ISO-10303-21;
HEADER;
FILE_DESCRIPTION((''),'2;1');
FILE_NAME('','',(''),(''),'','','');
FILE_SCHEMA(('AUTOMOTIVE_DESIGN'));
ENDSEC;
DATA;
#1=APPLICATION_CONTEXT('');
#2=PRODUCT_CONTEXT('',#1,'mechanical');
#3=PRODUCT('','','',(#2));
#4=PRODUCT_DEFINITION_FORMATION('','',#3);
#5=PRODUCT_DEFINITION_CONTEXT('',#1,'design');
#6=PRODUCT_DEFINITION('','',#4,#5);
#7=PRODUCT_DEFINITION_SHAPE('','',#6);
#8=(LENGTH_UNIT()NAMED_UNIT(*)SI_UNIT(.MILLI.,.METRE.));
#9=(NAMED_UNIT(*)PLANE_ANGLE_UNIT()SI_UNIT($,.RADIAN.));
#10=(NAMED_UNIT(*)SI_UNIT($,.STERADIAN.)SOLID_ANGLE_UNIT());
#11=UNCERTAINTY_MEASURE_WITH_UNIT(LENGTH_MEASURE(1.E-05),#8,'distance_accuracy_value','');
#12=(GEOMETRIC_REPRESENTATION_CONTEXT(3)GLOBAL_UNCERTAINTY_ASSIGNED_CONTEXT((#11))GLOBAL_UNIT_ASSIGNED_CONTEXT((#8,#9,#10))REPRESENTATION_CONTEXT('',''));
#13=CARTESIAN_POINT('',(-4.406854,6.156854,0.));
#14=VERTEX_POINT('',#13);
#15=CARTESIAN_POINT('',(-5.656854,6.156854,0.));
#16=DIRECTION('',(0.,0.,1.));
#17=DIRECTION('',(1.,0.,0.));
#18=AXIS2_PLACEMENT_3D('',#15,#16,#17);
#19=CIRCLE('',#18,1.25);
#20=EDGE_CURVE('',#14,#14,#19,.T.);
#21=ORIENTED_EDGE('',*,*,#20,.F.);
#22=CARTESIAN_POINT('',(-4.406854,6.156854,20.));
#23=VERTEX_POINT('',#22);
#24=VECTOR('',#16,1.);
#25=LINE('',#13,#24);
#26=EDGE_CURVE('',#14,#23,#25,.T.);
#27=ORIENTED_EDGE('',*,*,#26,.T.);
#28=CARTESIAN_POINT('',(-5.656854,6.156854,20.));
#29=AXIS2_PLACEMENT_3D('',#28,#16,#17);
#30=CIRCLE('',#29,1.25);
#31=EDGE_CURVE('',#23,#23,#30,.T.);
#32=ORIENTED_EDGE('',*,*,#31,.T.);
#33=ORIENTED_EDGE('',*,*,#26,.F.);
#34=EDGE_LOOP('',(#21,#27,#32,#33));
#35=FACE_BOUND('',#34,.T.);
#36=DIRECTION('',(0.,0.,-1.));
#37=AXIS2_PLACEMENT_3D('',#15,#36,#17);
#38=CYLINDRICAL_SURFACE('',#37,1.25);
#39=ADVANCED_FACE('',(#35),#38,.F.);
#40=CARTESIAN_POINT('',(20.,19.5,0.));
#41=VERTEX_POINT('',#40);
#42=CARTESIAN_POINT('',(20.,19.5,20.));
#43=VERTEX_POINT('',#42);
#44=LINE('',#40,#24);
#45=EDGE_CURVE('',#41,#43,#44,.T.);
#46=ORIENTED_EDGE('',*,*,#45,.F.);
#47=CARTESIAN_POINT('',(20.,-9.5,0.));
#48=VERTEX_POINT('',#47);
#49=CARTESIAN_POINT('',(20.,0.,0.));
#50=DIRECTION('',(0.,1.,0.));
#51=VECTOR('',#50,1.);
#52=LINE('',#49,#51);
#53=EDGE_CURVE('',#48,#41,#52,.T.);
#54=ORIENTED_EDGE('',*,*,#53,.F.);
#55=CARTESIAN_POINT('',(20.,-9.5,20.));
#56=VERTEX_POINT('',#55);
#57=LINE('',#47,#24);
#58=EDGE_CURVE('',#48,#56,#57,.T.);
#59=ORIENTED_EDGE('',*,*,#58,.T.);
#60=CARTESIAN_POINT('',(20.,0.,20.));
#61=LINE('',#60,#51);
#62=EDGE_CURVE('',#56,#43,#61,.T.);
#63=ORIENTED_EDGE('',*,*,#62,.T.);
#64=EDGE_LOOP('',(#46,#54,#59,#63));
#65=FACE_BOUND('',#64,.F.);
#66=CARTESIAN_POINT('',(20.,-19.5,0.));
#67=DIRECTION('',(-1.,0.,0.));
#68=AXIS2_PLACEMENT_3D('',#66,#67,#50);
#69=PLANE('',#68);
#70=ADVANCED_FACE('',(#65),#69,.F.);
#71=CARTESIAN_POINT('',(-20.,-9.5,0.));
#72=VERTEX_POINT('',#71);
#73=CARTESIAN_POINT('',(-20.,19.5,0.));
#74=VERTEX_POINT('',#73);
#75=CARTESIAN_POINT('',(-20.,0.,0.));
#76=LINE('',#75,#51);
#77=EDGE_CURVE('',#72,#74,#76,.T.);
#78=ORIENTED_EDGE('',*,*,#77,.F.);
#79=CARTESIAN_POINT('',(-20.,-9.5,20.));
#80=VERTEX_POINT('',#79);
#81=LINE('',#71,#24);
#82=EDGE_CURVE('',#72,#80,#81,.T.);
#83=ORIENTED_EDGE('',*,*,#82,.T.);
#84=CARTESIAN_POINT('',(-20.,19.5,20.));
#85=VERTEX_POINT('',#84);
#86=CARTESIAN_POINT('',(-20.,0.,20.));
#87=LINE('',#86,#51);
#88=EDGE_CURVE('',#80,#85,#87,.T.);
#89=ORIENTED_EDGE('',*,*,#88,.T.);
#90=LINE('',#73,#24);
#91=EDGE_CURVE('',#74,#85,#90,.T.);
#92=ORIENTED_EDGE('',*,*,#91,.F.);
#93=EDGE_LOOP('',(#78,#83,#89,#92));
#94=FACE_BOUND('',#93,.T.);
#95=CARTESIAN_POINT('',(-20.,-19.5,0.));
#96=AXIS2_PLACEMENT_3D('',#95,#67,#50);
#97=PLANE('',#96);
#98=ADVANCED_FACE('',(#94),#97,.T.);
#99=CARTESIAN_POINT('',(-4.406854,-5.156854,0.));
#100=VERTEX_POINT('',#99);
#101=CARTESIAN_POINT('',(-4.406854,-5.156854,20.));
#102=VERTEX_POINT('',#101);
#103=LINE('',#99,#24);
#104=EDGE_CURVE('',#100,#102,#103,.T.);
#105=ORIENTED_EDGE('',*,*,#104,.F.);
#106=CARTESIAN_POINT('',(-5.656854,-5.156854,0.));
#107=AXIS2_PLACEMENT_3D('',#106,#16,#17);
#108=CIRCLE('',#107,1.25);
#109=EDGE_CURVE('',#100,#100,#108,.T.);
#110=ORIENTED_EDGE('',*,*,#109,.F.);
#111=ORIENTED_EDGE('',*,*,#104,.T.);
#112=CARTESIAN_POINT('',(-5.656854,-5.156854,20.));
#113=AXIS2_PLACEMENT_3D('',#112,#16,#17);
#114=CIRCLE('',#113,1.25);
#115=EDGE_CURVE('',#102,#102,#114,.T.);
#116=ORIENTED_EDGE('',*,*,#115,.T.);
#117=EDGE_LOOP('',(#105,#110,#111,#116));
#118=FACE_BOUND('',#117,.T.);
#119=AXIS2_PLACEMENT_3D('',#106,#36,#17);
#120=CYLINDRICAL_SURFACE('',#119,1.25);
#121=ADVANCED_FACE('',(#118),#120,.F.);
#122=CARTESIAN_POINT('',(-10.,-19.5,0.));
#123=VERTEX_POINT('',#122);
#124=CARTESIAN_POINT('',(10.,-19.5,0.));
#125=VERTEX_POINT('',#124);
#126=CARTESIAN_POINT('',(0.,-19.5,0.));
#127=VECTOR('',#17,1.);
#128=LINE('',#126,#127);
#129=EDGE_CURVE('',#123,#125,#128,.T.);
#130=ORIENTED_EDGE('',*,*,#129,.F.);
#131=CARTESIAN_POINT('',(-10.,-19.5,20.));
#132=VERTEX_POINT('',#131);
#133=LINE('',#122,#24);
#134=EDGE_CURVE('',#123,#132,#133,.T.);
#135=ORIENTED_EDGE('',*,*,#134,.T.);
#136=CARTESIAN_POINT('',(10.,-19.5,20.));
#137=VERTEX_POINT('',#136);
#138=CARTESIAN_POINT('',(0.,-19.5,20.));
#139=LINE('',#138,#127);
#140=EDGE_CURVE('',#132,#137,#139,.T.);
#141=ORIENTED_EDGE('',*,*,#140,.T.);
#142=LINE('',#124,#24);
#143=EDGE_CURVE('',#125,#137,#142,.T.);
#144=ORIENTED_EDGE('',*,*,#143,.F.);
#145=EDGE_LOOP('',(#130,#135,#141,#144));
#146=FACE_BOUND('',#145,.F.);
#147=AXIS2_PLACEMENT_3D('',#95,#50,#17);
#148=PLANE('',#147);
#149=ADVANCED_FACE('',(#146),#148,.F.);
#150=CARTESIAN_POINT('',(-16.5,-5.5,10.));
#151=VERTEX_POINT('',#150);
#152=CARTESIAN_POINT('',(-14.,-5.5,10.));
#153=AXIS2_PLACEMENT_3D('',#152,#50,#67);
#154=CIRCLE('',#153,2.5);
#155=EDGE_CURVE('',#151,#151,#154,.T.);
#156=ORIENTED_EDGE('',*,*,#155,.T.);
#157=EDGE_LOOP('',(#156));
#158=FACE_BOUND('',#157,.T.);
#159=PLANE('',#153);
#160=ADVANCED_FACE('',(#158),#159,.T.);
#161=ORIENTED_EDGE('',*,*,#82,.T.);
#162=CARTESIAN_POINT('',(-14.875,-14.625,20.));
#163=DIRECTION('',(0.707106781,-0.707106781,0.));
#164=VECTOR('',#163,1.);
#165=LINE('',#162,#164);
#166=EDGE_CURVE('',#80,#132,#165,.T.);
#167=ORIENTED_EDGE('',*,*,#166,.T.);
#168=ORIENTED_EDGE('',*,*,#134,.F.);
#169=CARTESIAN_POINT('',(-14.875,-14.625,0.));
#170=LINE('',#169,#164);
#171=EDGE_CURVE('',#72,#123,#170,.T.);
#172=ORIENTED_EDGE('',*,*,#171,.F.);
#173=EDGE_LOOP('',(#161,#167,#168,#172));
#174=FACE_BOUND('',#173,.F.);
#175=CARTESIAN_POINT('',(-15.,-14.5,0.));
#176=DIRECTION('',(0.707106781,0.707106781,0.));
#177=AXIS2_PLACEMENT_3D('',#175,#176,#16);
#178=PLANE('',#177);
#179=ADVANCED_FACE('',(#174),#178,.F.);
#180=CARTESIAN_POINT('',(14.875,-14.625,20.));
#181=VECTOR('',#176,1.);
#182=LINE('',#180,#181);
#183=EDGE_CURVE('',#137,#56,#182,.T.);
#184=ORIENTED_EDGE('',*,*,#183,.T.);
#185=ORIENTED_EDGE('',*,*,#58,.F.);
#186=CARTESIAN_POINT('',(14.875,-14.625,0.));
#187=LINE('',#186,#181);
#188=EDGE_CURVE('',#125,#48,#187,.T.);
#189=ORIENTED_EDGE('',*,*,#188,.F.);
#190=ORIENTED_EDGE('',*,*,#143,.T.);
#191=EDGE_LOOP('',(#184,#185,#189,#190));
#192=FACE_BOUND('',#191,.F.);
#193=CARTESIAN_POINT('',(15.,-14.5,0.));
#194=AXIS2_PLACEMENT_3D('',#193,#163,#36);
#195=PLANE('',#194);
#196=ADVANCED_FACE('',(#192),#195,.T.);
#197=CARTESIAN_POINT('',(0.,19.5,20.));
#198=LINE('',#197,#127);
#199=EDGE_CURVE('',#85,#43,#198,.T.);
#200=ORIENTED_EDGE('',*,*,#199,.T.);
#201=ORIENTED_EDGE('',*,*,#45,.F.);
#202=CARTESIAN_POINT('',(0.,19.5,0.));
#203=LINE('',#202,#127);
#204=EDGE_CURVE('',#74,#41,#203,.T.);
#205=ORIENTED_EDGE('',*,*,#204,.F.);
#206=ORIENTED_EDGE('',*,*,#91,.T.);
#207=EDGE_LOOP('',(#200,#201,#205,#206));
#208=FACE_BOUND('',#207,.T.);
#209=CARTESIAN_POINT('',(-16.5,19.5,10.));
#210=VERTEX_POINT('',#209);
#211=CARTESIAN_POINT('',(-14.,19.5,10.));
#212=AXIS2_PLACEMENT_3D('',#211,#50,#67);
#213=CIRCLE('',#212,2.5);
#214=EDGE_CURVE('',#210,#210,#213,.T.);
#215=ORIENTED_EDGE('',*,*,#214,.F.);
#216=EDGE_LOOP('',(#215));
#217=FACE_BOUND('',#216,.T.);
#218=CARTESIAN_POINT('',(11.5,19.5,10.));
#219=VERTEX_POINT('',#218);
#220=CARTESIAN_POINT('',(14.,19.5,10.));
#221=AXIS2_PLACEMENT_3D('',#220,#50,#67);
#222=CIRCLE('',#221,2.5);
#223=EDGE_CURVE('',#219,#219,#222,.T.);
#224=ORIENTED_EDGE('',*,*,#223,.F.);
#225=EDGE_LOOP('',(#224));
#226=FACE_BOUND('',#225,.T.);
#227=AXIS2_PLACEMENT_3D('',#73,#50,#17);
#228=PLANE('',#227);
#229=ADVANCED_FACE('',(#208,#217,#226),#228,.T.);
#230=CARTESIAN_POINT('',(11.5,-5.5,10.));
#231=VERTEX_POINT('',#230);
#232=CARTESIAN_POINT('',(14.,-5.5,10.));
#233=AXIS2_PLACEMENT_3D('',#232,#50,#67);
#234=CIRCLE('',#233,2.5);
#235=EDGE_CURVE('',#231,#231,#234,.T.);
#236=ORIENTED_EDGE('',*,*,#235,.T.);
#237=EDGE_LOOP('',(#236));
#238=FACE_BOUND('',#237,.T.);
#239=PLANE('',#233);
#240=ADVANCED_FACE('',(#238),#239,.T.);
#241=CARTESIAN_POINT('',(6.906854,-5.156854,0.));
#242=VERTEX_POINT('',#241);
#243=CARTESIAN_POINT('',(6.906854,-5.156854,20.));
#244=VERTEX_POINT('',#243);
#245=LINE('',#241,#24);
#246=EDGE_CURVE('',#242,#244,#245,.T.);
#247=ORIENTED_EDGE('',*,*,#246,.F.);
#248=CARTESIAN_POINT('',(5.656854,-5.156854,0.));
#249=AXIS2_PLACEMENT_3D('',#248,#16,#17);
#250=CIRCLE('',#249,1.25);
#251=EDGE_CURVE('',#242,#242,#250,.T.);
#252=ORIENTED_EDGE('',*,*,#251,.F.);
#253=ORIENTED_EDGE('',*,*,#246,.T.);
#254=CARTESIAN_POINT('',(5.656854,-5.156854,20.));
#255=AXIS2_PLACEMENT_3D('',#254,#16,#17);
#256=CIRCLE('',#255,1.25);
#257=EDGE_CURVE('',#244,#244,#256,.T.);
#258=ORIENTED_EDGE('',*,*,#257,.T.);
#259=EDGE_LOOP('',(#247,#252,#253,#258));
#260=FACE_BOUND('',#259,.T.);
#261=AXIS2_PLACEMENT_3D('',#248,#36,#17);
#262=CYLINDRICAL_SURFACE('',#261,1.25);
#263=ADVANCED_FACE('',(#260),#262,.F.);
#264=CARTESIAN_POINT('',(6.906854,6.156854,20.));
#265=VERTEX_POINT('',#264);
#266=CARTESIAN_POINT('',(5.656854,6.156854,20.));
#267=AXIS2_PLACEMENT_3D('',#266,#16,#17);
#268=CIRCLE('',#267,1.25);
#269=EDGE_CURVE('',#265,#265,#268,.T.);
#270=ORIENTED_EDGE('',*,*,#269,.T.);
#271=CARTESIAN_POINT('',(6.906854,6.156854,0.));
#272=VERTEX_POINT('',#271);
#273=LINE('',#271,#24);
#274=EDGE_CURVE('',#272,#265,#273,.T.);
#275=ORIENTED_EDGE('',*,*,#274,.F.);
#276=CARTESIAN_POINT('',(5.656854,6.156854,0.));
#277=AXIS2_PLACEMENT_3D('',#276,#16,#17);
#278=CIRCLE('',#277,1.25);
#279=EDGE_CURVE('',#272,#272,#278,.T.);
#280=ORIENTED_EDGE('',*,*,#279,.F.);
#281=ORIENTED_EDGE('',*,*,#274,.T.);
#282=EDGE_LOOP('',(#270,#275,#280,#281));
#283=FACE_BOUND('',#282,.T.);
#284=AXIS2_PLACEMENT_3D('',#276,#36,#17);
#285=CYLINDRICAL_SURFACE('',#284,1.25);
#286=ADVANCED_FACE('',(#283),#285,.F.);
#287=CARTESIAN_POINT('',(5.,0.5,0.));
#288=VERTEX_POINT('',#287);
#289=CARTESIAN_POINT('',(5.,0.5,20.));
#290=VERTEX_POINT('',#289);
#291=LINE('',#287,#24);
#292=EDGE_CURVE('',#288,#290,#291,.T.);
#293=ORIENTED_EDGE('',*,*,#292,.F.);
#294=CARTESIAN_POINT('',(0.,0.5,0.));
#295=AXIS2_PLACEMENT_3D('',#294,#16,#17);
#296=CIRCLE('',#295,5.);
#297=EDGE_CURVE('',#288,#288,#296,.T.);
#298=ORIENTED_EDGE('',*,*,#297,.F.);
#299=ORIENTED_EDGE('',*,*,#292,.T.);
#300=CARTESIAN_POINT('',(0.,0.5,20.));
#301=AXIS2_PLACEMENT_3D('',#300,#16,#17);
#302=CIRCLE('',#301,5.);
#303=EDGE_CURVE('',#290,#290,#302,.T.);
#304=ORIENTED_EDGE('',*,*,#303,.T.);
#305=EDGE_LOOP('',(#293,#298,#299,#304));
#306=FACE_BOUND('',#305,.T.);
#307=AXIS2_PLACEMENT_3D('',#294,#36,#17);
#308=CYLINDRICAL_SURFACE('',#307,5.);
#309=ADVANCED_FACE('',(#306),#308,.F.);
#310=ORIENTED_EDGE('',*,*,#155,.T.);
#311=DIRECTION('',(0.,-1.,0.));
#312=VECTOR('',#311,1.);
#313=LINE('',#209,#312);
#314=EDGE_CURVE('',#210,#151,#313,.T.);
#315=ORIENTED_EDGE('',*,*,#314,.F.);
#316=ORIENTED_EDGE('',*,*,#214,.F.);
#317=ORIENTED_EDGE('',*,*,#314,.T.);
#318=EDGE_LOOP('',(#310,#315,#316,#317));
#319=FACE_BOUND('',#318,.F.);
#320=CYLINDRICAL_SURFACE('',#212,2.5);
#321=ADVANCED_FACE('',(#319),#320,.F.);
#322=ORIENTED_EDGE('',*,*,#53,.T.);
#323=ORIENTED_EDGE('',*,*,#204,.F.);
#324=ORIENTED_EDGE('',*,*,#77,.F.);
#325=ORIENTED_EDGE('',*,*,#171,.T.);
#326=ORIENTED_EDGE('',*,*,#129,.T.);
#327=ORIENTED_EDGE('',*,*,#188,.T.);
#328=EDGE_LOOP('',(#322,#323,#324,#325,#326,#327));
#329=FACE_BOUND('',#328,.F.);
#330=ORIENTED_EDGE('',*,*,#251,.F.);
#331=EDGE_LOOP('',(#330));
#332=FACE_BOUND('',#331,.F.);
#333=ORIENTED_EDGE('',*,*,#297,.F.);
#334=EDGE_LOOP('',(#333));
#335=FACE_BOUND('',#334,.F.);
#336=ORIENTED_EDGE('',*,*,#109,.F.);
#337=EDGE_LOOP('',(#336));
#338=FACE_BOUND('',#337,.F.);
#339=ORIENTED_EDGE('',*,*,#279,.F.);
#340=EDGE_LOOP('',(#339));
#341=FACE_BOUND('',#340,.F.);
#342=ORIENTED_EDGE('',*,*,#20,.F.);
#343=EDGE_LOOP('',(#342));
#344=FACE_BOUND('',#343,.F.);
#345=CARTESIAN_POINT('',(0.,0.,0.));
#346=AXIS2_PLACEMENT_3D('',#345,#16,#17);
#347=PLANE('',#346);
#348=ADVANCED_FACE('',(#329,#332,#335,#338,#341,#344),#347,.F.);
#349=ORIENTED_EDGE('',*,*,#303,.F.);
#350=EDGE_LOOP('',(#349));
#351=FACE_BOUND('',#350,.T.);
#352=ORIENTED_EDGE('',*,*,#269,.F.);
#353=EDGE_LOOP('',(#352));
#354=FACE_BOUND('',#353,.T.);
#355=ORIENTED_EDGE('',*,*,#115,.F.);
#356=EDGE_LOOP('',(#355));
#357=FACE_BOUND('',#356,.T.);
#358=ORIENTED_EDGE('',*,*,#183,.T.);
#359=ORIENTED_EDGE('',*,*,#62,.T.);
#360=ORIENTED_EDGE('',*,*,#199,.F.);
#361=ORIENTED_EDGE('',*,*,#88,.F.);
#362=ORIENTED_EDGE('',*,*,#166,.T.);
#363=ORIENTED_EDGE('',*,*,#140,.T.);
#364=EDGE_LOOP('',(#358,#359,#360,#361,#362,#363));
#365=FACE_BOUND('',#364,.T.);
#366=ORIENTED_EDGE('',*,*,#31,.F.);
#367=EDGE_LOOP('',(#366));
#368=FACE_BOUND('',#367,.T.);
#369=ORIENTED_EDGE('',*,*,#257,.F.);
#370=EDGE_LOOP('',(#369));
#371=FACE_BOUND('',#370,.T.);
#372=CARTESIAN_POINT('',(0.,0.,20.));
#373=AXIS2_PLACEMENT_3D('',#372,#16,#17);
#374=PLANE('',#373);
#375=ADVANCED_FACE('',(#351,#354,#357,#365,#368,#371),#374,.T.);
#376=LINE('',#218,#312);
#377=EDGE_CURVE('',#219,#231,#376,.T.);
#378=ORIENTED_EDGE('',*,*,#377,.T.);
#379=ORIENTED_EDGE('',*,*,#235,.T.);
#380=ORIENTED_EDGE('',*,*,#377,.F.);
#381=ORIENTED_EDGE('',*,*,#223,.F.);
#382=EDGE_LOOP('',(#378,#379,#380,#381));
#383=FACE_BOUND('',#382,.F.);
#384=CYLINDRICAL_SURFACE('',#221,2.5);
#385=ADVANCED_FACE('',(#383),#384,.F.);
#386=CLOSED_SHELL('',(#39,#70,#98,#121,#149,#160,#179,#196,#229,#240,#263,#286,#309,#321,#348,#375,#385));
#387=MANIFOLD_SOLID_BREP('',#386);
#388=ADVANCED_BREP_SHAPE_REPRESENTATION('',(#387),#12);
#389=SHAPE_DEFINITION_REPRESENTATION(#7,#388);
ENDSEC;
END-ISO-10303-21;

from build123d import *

# Parameters (mm, degrees)
F0_W     = 40
F0_H     = 39
F0_R     = 1.25
F0_R_2   = 5
F1_DEPTH = 20
F2_SIZE  = 10
F3_R     = 2.5
F4_DEPTH = 25


with BuildPart() as f1:
    # F0 (on Top) → F1 (new body)
    with BuildSketch(Plane.XY):
        Rectangle(F0_W, F0_H)
        with Locations((-5.656854, -5.156854)):
            Circle(F0_R, mode=Mode.SUBTRACT)
        with Locations((5.656854, -5.156854)):
            Circle(F0_R, mode=Mode.SUBTRACT)
        with Locations((-5.656854, 6.156854)):
            Circle(F0_R, mode=Mode.SUBTRACT)
        with Locations((0, 0.5)):
            Circle(F0_R_2, mode=Mode.SUBTRACT)
        with Locations((5.656854, 6.156854)):
            Circle(F0_R, mode=Mode.SUBTRACT)
    extrude(amount=F1_DEPTH)

    # F2
    f2_edges = [f1.edges().sort_by_distance(p)[0] for p in [
        (-20, -19.5, 10),
        (20, -19.5, 10),
    ]]
    chamfer(f2_edges, length=F2_SIZE)

    # F3 (on face) → F4 (cut)
    with BuildSketch(Plane(origin=(0, 19.5, 0), x_dir=(-1, 0, 0), z_dir=(0, 1, 0))):
        with Locations((14, 10)):
            Circle(F3_R)
        with Locations((-14, 10)):
            Circle(F3_R)
    extrude(amount=-F4_DEPTH, mode=Mode.SUBTRACT)


solid = f1.part
